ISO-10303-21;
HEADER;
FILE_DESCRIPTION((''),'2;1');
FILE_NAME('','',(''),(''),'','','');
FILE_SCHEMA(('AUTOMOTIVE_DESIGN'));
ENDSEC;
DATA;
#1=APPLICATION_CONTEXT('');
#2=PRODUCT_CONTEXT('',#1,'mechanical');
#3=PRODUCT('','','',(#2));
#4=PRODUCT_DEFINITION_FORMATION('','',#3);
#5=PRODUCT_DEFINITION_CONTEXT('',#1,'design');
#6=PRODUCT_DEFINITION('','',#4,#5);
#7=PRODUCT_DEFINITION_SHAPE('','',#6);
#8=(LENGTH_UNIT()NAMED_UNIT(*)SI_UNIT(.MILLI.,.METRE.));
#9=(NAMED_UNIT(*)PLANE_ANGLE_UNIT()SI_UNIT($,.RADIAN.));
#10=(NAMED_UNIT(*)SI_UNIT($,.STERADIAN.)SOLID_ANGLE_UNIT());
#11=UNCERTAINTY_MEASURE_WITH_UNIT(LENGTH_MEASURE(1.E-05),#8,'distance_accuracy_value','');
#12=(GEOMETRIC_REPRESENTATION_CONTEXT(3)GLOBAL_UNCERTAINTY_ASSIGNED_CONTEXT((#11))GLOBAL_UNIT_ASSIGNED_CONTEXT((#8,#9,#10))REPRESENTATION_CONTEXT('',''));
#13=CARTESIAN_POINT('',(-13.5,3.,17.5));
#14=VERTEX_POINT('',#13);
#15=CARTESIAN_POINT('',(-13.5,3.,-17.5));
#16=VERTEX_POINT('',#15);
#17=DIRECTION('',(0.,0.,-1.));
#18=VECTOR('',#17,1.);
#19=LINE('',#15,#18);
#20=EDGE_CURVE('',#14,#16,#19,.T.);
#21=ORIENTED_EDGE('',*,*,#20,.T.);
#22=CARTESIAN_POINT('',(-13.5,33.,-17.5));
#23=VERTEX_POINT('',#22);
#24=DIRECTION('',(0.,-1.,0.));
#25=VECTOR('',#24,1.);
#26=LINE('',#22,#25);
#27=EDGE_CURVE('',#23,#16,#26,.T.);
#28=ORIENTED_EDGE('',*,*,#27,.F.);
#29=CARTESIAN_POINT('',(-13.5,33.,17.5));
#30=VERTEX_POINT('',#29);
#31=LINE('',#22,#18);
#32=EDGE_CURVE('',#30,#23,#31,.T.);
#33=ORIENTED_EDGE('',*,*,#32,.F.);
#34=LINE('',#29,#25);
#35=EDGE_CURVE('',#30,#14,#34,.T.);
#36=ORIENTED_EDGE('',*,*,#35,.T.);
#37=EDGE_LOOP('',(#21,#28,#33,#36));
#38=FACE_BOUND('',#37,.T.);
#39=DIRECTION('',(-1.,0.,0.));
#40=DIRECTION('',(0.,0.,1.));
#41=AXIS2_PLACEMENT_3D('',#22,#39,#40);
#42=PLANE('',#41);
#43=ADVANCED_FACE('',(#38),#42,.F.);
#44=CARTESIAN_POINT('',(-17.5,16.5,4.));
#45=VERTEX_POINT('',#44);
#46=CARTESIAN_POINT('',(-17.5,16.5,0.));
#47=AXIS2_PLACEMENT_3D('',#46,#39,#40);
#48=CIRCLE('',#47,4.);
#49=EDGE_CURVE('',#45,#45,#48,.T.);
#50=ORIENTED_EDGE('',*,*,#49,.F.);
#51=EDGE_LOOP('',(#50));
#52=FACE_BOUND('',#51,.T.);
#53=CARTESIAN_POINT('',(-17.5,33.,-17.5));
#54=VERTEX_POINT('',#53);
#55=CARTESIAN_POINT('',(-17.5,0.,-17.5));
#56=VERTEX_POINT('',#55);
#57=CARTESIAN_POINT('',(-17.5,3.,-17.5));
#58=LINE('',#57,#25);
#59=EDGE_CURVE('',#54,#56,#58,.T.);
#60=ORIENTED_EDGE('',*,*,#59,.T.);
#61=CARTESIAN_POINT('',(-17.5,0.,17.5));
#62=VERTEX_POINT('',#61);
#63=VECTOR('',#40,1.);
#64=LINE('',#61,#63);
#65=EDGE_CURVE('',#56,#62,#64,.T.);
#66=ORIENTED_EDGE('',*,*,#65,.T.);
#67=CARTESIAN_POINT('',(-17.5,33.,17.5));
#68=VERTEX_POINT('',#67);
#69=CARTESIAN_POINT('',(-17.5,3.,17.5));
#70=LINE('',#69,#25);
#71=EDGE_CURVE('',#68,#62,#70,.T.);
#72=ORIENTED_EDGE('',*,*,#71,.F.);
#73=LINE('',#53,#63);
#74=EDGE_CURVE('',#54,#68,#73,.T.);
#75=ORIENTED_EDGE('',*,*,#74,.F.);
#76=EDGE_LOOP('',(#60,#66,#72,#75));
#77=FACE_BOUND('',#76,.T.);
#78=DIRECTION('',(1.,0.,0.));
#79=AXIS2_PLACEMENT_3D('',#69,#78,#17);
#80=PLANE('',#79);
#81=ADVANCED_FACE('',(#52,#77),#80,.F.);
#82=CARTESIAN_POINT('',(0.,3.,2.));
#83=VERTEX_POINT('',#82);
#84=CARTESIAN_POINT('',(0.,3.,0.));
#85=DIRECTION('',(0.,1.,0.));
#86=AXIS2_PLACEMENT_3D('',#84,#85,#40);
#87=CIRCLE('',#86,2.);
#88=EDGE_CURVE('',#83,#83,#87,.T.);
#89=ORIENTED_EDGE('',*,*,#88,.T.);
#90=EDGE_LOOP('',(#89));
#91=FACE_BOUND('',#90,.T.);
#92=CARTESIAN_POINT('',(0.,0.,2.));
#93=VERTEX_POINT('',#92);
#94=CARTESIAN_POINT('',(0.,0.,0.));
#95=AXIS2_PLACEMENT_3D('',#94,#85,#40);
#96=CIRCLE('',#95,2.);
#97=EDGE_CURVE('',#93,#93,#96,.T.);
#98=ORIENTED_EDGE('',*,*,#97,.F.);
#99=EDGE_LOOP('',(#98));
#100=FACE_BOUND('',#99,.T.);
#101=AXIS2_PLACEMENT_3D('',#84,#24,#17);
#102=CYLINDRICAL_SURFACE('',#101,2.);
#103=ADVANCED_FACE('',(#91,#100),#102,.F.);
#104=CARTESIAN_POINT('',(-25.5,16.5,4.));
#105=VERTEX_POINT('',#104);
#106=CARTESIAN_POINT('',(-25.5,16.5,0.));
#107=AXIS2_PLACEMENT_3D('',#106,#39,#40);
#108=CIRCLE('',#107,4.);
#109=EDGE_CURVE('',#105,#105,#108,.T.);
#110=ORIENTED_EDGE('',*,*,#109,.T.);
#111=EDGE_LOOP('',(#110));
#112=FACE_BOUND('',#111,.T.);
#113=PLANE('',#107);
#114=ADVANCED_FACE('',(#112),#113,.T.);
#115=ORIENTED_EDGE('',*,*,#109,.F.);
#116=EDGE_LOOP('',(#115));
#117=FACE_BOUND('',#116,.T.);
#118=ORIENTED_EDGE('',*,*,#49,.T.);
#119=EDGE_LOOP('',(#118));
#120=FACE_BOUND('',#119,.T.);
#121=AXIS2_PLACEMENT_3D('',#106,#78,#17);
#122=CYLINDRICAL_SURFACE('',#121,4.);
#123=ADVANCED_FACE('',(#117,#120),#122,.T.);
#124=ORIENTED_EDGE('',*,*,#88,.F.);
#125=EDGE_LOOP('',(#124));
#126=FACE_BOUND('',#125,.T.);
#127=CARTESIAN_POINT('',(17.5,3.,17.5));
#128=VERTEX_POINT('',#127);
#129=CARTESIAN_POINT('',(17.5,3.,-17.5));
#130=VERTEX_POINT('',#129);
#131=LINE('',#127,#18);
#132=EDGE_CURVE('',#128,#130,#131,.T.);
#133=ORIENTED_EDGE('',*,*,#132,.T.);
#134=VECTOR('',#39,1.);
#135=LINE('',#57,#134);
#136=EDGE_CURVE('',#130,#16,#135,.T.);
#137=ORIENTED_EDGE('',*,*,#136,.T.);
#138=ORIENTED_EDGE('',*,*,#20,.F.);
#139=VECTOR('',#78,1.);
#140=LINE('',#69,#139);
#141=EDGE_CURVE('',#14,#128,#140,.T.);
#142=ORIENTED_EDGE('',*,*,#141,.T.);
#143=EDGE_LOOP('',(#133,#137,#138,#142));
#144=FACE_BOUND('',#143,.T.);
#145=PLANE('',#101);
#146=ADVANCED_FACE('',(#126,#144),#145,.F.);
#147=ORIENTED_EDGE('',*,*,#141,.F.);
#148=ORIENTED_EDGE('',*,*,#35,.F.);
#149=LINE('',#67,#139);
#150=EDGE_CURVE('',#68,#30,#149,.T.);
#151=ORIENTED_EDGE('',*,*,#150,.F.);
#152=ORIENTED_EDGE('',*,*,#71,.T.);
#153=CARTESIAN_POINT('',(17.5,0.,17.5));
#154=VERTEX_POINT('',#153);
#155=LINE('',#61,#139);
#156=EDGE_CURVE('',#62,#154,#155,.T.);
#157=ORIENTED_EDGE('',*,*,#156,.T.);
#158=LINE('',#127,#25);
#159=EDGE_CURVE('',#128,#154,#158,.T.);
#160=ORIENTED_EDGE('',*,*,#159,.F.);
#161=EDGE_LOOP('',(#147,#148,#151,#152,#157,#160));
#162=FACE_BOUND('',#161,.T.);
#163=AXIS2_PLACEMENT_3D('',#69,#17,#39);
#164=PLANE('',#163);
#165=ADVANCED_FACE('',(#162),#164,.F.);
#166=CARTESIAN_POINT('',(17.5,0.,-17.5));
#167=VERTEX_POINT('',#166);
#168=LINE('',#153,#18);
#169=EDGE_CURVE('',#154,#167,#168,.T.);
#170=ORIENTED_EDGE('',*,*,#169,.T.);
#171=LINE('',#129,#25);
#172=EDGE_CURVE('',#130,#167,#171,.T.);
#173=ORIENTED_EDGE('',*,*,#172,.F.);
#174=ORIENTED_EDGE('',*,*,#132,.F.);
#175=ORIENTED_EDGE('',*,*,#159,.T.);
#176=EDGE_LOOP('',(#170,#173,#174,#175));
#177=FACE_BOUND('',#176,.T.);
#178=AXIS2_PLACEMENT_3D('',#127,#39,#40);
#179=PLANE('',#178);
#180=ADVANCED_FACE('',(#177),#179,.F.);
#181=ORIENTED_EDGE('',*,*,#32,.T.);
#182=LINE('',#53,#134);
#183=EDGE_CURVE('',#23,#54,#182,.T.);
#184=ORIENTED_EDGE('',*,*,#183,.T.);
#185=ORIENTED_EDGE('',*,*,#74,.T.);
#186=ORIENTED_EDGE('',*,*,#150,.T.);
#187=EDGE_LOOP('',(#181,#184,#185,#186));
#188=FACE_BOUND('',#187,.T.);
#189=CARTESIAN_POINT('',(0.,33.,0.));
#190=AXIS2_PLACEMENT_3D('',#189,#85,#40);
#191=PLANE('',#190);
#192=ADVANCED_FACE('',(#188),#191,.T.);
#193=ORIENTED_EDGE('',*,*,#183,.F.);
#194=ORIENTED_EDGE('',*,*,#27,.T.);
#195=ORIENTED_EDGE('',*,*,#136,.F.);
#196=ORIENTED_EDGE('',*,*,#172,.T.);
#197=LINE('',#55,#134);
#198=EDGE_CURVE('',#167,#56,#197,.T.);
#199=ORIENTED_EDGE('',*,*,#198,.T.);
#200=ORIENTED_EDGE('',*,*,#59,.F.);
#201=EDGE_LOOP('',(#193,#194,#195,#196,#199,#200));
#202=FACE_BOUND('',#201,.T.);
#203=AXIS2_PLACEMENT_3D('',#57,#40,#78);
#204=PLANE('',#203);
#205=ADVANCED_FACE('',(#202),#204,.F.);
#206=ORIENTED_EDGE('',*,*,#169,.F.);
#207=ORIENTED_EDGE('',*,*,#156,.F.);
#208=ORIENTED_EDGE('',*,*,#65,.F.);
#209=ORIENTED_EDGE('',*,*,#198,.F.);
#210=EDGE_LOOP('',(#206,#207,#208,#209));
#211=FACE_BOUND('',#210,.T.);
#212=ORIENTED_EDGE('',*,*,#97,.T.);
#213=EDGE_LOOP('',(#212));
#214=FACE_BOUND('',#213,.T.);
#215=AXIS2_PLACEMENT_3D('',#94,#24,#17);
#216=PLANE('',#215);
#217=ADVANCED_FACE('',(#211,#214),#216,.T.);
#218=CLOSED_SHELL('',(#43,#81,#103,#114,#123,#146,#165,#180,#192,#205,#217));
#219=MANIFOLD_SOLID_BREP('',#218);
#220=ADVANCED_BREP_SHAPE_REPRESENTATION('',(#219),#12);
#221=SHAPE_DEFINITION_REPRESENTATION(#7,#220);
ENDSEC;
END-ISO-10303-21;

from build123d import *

# Parameters (mm, degrees)
SKETCH1_W           = 35
SKETCH1_H           = 35
SKETCH1_R           = 2
BOSS_EXTRUDE1_DEPTH = 3
SKETCH2_W           = 4
SKETCH2_H           = 35
BOSS_EXTRUDE2_DEPTH = 30
SKETCH3_R           = 4
BOSS_EXTRUDE3_DEPTH = 8


with BuildPart() as part:
    # Sketch1 → Boss-Extrude1 (new body)
    with BuildSketch(Plane(origin=(0, 0, 0), x_dir=(1, 0, 0), z_dir=(0, 1, 0))):
        Rectangle(SKETCH1_W, SKETCH1_H)
        with Locations(Location((0, 0, 0), (0, 0, 270))):
            Circle(SKETCH1_R, mode=Mode.SUBTRACT)
    extrude(amount=BOSS_EXTRUDE1_DEPTH)

    # Sketch2 → Boss-Extrude2 (add)
    with BuildSketch(Plane(origin=(0, 3, 0), x_dir=(1, 0, 0), z_dir=(0, 1, 0))):
        with Locations((-15.5, 0)):
            Rectangle(SKETCH2_W, SKETCH2_H)
    extrude(amount=BOSS_EXTRUDE2_DEPTH)

    # Sketch3 → Boss-Extrude3 (add)
    with BuildSketch(Plane.ZY.offset(17.5)):
        with Locations((0, 16.5)):
            Circle(SKETCH3_R)
    extrude(amount=BOSS_EXTRUDE3_DEPTH)


solid = part.part
